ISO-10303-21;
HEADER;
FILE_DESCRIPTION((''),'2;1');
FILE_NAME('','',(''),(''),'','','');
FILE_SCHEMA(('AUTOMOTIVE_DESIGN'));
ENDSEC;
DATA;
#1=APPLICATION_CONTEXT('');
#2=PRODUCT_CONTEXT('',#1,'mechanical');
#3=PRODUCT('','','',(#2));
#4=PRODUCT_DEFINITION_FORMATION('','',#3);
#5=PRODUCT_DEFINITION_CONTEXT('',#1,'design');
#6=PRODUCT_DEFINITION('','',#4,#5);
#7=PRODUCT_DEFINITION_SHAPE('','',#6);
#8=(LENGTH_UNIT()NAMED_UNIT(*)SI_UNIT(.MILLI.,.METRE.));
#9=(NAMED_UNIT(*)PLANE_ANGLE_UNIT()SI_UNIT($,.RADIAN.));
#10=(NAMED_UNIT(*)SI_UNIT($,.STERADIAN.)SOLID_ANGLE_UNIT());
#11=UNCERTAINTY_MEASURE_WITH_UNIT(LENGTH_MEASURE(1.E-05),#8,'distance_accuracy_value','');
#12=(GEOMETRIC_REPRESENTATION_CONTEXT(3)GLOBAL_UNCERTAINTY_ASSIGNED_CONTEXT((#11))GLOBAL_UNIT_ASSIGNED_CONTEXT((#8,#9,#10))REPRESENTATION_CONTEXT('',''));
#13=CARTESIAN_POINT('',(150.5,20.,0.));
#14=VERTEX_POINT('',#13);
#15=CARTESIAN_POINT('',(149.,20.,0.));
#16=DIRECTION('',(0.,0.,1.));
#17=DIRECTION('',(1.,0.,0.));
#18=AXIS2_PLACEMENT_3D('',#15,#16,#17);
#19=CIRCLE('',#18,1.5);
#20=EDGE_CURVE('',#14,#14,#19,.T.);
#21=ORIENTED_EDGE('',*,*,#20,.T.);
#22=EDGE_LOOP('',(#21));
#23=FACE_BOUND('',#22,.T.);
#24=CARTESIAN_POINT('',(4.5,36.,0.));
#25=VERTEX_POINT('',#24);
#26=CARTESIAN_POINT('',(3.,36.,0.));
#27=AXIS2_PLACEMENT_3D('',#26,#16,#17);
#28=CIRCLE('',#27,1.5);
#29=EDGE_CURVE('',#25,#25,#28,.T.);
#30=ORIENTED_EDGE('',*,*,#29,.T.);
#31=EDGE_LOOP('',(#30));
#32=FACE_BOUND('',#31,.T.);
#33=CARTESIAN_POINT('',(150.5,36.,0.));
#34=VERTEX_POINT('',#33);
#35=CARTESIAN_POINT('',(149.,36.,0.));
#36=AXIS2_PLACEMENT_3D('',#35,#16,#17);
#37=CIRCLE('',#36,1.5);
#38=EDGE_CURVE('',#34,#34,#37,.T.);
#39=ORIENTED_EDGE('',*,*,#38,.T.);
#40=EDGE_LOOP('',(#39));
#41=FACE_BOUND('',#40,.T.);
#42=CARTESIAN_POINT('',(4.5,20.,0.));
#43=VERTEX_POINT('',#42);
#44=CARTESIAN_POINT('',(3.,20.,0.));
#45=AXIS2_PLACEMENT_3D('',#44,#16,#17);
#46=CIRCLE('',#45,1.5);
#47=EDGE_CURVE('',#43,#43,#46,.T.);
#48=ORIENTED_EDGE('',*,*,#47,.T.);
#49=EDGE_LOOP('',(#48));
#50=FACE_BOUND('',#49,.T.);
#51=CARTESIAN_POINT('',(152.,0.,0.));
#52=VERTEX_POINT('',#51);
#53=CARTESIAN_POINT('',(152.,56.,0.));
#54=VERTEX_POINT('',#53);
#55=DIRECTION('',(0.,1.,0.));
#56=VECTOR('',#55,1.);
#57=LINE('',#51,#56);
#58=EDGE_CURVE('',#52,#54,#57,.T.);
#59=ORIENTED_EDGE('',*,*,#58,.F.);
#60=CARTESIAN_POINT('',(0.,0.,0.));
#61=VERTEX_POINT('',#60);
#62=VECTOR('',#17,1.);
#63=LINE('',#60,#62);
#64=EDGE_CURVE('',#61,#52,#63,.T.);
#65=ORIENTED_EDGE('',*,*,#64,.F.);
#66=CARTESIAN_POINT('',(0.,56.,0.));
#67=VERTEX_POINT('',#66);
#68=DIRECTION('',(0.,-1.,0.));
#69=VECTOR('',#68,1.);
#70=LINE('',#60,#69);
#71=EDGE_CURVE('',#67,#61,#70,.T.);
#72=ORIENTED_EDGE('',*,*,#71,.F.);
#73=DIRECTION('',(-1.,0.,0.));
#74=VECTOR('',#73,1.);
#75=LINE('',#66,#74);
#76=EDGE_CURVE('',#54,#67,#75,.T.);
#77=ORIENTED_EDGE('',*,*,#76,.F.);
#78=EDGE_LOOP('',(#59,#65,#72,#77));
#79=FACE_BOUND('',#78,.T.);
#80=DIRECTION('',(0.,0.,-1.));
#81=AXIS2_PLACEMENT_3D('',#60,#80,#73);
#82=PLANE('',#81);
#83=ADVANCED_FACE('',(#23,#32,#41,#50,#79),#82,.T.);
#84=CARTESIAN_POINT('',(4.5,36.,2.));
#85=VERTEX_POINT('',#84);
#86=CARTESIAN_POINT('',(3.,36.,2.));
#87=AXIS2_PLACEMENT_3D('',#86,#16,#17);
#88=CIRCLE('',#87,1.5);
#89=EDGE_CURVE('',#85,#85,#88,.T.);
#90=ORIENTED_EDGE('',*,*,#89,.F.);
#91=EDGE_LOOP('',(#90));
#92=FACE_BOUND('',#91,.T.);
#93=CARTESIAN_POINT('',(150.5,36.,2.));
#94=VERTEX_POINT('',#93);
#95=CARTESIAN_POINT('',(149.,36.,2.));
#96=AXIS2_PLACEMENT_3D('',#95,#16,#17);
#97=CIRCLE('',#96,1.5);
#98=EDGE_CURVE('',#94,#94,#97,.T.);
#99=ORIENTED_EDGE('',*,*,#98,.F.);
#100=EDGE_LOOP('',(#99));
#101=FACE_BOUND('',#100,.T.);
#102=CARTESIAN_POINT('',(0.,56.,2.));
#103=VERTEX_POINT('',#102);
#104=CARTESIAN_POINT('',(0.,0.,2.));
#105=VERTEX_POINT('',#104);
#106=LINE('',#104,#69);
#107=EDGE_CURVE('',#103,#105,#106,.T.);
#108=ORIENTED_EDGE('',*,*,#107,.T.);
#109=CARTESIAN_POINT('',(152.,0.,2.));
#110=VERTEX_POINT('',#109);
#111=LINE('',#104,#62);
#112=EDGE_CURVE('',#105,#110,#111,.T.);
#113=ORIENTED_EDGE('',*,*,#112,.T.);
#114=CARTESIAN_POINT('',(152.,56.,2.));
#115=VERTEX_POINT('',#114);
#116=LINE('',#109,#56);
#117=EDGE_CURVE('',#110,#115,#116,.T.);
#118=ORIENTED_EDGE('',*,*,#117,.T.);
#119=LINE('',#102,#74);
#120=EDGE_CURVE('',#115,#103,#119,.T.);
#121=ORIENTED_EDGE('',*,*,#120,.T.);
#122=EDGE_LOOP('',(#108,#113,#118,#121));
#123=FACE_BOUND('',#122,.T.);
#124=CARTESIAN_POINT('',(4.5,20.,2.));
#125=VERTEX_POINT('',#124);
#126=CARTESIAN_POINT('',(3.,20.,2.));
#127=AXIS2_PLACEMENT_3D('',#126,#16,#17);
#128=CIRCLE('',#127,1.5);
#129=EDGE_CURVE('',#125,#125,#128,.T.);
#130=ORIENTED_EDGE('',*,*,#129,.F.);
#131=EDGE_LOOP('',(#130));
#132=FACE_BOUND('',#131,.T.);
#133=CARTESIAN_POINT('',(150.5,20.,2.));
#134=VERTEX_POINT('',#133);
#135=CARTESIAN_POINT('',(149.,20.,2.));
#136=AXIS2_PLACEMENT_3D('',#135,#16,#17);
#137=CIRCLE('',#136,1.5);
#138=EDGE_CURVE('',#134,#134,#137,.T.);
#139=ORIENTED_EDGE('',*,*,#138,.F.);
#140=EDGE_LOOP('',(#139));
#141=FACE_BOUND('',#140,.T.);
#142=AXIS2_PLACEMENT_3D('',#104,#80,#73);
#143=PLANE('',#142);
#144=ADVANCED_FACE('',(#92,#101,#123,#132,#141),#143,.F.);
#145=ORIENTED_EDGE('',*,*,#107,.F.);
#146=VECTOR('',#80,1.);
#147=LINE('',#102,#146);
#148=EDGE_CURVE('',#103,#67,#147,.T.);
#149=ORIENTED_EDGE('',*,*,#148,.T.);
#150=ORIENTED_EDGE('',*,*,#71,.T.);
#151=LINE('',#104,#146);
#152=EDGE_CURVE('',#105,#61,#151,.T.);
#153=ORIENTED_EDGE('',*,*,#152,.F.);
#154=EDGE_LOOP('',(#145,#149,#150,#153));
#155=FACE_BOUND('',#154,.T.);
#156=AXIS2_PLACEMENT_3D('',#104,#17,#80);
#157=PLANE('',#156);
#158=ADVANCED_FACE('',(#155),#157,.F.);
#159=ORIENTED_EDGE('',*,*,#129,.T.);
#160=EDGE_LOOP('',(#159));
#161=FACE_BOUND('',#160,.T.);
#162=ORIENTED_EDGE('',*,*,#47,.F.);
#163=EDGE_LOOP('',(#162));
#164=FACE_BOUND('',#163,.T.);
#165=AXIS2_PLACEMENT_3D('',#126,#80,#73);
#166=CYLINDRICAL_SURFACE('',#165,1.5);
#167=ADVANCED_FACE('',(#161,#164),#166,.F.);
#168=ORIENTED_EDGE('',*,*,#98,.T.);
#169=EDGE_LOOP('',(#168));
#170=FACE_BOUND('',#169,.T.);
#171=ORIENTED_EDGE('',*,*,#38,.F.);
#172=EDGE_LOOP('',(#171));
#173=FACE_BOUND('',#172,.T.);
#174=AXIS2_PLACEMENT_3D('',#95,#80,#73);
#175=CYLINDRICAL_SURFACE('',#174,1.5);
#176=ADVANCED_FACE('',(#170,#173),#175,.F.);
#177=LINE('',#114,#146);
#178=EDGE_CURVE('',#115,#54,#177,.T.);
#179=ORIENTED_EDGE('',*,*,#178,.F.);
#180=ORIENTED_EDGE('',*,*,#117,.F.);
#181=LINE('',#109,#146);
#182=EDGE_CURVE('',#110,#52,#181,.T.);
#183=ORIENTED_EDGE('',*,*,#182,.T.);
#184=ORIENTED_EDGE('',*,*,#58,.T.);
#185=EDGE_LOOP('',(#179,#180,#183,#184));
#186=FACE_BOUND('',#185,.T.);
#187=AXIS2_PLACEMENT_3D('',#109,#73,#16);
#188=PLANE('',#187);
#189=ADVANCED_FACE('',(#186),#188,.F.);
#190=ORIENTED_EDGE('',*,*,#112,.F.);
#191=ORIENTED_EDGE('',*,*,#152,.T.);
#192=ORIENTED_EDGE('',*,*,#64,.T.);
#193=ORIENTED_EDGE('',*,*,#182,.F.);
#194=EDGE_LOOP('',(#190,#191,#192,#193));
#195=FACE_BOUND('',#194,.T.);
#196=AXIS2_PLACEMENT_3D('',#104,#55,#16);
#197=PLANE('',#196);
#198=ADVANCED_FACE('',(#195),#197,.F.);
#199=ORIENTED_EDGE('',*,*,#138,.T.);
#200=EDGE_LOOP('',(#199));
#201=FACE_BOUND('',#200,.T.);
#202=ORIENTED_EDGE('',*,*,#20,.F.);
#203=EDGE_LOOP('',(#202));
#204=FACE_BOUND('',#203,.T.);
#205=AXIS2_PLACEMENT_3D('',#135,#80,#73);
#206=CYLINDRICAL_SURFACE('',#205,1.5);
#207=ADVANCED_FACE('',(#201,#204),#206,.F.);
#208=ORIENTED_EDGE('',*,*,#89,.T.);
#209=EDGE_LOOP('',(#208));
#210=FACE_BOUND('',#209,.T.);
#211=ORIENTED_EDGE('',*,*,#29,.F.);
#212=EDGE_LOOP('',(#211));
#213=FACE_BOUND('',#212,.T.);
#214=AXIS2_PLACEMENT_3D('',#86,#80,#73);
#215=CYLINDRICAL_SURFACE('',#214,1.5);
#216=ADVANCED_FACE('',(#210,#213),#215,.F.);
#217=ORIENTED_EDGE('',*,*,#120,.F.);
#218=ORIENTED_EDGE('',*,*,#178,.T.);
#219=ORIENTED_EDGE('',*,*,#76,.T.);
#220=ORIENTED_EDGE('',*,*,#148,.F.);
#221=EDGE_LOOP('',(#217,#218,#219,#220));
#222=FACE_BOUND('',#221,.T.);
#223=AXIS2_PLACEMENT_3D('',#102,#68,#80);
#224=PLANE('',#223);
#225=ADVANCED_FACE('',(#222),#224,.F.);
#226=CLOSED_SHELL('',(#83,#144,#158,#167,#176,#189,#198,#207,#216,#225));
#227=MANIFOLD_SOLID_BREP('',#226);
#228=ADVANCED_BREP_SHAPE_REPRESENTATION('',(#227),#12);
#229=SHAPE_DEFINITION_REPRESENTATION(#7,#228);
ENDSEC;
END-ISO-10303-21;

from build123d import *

# Parameters (mm, degrees)
ESQUISSE1_W        = 152
ESQUISSE1_H        = 56
ESQUISSE1_R        = 1.5
BOSS_EXTRU_1_DEPTH = 2


with BuildPart() as part:
    # Esquisse1 → Boss.-Extru.1 (new body)
    with BuildSketch(Plane.XY):
        with Locations((76, 28)):
            Rectangle(ESQUISSE1_W, ESQUISSE1_H)
        with Locations((3, 36)):
            Circle(ESQUISSE1_R, mode=Mode.SUBTRACT)
        with Locations((3, 20)):
            Circle(ESQUISSE1_R, mode=Mode.SUBTRACT)
        with Locations((149, 20)):
            Circle(ESQUISSE1_R, mode=Mode.SUBTRACT)
        with Locations((149, 36)):
            Circle(ESQUISSE1_R, mode=Mode.SUBTRACT)
    extrude(amount=BOSS_EXTRU_1_DEPTH)


solid = part.part
